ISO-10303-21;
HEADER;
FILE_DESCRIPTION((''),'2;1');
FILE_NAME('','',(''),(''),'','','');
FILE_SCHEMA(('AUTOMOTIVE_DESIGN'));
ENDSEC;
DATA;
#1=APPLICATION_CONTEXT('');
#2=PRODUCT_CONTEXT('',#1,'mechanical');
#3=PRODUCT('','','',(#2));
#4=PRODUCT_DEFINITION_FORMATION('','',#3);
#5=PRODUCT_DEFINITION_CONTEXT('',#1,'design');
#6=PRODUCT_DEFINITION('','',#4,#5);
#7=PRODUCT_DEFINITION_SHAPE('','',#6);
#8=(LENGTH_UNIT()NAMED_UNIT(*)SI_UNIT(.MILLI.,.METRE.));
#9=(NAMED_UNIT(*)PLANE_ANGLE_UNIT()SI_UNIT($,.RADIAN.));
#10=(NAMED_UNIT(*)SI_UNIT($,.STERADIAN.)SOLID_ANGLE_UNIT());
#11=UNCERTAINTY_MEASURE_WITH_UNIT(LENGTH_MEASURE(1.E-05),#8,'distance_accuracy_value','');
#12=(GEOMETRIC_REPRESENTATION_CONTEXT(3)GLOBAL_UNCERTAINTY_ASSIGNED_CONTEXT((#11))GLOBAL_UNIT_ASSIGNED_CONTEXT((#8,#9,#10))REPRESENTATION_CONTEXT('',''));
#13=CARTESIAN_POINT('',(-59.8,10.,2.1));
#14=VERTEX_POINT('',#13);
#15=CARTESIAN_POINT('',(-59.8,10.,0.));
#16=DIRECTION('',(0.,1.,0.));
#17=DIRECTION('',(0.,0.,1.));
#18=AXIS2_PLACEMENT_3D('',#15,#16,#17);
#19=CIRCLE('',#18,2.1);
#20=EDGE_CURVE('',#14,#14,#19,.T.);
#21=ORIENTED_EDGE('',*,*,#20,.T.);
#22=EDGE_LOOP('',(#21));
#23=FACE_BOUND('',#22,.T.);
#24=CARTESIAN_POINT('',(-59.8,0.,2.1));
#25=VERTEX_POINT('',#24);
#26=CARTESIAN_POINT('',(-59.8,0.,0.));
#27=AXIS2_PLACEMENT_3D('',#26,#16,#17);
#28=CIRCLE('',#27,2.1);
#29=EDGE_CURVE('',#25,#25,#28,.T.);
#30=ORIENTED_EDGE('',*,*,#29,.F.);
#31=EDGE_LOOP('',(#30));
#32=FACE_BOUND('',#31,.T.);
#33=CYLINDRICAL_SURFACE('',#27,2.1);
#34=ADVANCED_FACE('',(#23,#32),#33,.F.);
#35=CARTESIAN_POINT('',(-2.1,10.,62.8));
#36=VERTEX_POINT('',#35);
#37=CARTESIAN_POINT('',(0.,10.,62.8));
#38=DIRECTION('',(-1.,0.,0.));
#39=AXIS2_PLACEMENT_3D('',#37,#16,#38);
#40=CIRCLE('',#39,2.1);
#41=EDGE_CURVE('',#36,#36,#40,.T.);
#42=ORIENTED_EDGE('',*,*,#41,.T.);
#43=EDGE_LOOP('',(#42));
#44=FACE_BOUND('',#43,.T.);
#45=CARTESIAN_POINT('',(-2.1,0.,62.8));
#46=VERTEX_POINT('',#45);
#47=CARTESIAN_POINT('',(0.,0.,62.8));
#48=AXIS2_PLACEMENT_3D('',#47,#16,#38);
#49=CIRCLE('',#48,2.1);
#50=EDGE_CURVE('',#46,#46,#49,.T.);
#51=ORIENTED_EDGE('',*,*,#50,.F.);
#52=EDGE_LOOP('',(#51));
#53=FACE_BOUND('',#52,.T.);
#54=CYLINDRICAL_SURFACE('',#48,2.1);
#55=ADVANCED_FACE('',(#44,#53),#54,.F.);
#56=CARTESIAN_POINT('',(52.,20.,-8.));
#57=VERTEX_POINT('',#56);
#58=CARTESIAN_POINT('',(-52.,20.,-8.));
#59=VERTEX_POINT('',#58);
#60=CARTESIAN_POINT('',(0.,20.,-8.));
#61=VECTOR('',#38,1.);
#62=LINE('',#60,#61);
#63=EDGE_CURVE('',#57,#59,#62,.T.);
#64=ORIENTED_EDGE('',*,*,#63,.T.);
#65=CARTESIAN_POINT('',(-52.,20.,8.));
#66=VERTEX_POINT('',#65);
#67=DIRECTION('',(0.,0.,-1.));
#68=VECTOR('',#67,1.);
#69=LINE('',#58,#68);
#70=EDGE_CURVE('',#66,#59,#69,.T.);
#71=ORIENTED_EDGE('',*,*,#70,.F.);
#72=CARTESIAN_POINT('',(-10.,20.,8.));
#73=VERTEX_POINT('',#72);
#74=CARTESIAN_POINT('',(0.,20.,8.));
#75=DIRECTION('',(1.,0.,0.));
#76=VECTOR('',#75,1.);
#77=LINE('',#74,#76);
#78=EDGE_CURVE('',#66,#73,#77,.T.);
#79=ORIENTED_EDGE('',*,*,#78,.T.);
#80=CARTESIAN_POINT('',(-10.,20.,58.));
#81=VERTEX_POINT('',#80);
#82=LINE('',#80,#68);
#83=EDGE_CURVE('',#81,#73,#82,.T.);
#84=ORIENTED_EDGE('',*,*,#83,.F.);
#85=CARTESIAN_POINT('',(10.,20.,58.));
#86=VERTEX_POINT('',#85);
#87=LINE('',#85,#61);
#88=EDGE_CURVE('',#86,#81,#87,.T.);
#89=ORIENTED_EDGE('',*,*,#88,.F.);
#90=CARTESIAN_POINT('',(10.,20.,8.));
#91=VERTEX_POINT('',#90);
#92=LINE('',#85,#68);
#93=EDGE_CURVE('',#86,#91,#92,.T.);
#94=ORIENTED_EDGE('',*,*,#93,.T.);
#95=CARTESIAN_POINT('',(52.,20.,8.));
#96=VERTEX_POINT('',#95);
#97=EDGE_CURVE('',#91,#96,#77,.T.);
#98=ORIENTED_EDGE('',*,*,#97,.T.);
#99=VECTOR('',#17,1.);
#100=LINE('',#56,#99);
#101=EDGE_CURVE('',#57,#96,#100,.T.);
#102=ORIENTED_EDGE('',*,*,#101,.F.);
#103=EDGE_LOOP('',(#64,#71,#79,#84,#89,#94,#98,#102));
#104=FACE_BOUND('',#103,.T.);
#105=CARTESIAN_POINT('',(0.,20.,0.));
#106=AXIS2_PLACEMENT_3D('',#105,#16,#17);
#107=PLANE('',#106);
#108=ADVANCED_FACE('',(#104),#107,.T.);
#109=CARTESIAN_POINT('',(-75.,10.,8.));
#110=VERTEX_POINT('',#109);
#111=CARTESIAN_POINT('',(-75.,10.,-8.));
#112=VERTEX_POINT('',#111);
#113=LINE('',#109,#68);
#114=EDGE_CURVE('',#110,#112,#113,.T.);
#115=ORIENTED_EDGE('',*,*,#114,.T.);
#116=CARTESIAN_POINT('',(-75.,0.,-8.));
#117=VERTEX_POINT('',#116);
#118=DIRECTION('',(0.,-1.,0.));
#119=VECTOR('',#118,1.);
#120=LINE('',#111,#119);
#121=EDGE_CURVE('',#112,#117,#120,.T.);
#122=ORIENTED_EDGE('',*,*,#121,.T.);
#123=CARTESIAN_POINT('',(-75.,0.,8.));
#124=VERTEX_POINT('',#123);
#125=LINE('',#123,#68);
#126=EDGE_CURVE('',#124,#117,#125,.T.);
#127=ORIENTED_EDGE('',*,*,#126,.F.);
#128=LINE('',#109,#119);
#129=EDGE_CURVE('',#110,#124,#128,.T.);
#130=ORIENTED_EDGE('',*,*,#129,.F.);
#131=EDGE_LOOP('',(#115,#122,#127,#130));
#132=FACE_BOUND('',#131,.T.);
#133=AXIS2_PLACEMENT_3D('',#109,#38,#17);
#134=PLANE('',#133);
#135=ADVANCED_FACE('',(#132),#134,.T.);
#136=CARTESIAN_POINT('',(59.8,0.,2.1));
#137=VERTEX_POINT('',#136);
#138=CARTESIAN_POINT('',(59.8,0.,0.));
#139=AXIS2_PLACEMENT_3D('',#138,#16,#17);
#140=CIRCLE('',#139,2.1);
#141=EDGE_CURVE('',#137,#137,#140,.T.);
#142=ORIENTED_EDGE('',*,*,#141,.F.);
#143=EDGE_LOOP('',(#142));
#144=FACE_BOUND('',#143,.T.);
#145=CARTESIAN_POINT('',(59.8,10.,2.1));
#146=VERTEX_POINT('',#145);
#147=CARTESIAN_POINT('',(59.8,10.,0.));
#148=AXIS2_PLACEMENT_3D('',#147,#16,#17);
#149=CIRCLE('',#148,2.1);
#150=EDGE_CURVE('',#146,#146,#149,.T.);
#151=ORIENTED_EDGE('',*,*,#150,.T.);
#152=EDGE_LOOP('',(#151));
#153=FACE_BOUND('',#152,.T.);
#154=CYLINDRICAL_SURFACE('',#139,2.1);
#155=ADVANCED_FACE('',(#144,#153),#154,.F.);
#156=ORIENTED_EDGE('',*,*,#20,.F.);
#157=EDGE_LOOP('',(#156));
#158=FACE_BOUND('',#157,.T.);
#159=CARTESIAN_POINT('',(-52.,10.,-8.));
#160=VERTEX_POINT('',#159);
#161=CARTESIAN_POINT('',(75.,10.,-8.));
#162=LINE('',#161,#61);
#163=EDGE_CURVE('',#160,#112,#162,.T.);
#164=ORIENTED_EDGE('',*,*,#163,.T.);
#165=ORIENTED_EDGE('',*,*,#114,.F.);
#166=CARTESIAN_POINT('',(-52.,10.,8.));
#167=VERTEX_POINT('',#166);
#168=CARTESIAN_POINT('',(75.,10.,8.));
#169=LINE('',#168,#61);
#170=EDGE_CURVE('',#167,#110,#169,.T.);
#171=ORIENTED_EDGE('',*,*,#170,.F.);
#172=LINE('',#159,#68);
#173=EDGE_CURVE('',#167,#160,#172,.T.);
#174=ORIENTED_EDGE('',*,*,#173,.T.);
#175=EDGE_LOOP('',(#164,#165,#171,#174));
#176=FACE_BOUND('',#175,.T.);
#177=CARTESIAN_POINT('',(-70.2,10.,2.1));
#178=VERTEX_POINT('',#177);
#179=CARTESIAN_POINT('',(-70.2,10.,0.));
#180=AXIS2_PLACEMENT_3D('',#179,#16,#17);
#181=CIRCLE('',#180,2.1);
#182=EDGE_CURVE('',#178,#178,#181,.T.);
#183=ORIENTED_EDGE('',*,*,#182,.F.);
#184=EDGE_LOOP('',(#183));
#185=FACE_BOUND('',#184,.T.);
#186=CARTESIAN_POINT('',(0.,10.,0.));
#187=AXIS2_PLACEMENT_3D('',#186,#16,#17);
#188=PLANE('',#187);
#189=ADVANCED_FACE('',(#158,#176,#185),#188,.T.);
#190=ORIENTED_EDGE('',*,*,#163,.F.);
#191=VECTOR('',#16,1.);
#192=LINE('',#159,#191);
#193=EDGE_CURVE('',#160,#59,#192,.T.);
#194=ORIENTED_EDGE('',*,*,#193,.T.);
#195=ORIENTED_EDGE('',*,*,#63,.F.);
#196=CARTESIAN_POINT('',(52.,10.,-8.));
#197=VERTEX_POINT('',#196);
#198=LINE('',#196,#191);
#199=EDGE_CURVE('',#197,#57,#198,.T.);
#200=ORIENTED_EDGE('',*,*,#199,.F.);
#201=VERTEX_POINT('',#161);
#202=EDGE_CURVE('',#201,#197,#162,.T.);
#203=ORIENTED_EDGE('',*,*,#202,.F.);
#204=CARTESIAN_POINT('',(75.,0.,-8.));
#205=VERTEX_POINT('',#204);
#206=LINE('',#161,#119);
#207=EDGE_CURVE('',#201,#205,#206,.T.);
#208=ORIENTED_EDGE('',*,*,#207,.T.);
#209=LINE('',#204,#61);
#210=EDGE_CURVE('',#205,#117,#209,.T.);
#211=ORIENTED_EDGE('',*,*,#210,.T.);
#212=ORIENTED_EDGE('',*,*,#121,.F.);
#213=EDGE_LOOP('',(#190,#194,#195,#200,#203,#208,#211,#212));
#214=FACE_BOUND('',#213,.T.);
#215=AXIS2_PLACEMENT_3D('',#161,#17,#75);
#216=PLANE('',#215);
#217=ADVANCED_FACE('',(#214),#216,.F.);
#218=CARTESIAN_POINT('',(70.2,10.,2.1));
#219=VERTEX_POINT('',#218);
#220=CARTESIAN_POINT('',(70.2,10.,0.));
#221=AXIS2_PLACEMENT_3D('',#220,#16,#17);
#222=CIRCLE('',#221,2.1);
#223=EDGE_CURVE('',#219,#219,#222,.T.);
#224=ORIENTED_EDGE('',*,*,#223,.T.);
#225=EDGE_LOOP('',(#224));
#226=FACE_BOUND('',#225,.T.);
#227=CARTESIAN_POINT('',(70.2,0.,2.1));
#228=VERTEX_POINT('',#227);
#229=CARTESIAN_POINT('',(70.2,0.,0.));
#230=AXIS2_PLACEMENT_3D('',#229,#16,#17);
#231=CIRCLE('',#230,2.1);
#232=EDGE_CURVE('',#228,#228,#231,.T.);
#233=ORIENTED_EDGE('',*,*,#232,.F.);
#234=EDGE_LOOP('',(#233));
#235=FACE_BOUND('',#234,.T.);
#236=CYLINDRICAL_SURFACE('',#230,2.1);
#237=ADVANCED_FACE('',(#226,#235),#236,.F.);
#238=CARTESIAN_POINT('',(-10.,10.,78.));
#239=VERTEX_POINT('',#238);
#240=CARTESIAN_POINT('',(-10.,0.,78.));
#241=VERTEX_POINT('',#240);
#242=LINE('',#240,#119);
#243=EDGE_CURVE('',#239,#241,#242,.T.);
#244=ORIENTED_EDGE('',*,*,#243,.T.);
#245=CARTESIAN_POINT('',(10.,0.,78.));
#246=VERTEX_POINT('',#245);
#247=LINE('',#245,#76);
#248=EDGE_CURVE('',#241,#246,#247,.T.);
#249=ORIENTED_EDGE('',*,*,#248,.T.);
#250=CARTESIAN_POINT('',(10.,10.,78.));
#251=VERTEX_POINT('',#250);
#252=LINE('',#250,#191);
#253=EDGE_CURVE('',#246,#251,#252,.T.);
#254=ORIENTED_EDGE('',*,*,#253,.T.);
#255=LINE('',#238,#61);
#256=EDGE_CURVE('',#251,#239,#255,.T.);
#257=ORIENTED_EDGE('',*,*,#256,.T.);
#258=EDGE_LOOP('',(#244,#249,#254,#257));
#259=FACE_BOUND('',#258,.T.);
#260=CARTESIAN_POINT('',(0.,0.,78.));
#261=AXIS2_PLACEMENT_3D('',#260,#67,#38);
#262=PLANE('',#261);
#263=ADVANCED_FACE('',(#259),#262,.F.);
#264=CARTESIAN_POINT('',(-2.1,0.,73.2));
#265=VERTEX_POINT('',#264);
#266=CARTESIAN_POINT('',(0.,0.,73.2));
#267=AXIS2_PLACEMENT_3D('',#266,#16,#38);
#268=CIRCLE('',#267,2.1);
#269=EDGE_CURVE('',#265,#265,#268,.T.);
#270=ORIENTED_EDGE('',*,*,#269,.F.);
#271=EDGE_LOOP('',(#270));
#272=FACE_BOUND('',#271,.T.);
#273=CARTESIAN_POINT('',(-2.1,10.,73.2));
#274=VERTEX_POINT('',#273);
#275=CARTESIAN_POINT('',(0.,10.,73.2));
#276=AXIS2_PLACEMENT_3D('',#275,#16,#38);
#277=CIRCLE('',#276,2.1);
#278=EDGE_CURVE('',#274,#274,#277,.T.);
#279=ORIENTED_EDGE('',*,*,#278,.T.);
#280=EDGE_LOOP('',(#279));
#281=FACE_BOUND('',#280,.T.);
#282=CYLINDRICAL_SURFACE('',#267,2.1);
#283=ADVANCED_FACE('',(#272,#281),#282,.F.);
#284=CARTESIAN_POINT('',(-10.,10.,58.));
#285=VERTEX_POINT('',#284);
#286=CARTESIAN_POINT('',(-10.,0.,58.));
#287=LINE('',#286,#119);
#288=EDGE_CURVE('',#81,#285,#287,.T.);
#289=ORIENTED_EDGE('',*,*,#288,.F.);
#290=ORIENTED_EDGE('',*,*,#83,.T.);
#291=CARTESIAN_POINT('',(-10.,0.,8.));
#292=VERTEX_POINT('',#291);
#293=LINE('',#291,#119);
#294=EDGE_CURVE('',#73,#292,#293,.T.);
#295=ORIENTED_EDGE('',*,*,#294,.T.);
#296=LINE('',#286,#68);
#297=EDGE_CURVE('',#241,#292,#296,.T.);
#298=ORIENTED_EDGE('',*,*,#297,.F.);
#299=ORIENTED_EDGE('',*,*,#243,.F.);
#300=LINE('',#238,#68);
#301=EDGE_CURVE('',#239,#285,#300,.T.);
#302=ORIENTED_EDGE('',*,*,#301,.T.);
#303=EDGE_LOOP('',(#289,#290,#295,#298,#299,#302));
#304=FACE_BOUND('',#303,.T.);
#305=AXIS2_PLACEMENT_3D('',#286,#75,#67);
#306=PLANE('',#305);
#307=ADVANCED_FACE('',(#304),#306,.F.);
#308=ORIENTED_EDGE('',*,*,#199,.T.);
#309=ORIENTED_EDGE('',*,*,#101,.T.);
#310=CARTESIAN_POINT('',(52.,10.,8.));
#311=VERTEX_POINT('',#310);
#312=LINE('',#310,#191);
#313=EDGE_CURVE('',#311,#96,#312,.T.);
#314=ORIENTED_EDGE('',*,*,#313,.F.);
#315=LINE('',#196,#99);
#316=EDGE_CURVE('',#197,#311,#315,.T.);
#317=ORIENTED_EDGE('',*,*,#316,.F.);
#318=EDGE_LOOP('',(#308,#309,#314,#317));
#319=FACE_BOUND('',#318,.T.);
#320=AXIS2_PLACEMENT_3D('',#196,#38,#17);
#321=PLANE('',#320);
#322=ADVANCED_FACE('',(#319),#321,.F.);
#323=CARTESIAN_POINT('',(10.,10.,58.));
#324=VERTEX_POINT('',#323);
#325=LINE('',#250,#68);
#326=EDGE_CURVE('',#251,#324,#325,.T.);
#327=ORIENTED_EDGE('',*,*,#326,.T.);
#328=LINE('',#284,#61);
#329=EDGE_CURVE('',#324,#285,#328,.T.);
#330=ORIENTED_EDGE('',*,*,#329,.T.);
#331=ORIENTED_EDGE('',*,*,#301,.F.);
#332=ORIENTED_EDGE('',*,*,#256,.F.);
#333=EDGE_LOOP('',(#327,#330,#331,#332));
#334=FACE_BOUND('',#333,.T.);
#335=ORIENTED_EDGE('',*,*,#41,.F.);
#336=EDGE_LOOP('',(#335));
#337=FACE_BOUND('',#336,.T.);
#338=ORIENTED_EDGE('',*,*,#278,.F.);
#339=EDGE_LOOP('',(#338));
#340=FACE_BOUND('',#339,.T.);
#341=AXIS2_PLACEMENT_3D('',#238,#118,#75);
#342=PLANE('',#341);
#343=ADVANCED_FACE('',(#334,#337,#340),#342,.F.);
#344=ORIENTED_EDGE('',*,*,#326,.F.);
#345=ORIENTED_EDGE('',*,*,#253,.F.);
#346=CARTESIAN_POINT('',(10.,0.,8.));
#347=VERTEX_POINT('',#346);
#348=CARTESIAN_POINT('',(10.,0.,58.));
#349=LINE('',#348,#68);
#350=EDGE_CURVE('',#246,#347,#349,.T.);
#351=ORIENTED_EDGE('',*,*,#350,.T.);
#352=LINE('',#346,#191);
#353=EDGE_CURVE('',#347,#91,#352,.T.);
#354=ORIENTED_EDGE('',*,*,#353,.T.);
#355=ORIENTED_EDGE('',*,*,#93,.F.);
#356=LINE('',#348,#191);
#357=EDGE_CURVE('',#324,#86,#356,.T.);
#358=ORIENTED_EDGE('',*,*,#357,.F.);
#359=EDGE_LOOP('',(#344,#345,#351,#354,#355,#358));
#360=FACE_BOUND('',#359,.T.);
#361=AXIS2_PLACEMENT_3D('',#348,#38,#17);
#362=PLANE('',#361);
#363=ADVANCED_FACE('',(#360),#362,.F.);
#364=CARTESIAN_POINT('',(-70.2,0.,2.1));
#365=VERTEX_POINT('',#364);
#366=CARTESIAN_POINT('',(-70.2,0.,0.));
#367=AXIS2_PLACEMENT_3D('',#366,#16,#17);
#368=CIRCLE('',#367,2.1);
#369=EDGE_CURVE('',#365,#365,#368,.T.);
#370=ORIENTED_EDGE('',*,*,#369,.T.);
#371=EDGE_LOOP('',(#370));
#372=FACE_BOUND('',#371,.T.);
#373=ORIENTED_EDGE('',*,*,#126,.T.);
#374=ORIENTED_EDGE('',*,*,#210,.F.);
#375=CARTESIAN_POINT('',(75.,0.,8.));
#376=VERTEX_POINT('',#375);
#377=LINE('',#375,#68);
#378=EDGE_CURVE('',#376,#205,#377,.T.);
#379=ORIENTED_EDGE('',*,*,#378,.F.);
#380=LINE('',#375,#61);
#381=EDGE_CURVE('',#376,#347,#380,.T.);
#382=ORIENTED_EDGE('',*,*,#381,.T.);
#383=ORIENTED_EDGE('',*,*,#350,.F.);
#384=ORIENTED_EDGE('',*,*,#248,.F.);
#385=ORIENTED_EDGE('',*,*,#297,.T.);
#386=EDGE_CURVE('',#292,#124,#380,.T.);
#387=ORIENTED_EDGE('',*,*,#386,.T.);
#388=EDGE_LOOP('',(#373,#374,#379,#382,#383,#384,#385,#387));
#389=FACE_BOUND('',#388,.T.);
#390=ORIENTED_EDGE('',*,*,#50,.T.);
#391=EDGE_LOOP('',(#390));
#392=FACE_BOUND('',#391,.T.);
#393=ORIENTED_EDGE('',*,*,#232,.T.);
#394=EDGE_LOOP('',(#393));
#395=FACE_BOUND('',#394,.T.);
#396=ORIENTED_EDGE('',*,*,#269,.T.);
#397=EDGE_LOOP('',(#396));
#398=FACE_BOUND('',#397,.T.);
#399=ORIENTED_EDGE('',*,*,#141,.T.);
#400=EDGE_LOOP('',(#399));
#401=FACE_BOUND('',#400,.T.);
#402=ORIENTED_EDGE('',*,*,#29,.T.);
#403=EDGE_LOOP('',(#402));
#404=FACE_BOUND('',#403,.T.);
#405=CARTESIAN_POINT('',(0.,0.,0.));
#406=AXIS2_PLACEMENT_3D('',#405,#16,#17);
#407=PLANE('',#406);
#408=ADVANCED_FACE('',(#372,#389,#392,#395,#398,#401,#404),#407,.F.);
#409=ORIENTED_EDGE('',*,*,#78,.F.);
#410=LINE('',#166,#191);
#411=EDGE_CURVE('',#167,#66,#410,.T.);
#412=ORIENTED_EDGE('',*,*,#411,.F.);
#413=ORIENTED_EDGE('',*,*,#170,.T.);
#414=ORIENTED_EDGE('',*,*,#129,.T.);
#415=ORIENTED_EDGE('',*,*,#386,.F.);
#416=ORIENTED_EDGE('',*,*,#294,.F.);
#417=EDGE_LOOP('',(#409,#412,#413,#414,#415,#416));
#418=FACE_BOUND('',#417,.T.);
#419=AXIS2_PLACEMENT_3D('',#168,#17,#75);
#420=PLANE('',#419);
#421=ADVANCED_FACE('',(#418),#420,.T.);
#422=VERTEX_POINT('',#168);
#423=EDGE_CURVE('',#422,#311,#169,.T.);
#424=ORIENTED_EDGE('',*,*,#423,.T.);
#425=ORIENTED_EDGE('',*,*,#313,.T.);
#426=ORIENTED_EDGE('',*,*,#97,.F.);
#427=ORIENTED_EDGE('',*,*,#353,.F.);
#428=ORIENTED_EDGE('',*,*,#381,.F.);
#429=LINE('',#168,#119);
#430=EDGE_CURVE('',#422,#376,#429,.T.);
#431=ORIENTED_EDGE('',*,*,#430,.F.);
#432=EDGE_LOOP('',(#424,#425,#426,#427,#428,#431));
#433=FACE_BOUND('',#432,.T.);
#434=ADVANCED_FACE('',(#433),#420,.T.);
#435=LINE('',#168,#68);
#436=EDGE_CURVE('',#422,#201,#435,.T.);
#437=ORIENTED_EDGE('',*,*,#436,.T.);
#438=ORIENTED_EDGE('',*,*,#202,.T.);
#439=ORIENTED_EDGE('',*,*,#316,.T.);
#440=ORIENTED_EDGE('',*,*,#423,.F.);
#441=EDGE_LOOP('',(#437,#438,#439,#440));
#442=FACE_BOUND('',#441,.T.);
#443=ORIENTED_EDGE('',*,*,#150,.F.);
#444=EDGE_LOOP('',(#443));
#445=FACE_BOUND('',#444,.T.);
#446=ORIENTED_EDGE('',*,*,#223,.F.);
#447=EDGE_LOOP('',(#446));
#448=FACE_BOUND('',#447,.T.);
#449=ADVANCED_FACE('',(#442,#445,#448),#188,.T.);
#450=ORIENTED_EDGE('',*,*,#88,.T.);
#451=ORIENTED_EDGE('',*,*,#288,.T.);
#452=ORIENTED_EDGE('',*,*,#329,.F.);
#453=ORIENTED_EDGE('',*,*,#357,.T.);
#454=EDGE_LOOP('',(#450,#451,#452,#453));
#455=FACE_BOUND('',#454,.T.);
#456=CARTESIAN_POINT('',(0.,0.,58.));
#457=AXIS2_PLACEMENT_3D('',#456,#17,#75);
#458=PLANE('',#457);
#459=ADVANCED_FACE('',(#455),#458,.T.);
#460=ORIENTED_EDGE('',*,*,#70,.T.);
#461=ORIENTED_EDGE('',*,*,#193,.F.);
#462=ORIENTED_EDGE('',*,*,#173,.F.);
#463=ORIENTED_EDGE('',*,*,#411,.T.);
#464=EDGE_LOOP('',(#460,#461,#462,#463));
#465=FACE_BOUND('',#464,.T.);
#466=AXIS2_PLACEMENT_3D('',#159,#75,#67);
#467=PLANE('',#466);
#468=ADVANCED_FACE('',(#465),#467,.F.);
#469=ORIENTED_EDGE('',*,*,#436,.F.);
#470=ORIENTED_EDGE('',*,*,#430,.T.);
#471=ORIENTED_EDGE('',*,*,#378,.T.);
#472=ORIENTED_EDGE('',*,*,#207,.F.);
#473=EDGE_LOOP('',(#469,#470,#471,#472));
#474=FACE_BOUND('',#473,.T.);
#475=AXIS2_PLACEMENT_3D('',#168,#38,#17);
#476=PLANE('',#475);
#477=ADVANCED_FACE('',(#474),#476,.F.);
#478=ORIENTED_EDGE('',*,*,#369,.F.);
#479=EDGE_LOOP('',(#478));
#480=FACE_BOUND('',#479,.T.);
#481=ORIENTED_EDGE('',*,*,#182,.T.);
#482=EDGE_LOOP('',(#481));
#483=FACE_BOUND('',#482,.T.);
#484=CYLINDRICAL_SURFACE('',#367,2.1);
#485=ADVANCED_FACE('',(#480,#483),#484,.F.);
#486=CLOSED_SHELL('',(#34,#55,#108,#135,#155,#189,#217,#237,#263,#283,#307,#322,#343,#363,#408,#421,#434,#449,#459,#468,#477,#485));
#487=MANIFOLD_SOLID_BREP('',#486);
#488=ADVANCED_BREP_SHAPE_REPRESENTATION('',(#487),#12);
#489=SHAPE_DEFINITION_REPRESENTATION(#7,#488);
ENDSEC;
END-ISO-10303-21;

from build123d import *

# Parameters (mm, degrees)
SKETCH_1_W          = 150
SKETCH_1_H          = 16
EXTRUDE_1_DEPTH     = 10
SKETCH_2_W          = 110
SKETCH_2_H          = 16
EXTRUDE_2_DEPTH     = 10
SKETCH_4_R          = 2.1
CUT_EXTRUDE_1_DEPTH = 10
SKETCH_5_R          = 2.1
CUT_EXTRUDE_2_DEPTH = 10
SKETCH_6_W          = 20
SKETCH_6_H          = 20
EXTRUDE_3_DEPTH     = 50
SKETCH_7_W          = 20
SKETCH_7_H          = 10
EXTRUDE_4_DEPTH     = 20
SKETCH_8_R          = 2.1
CUT_EXTRUDE_3_DEPTH = 10
SKETCH_9_W          = 3
SKETCH_9_H          = 16
CUT_EXTRUDE_4_DEPTH = 10


with BuildPart() as part:
    # 草图1 → 凸台-拉伸1 (new body)
    with BuildSketch(Plane(origin=(0, 0, 0), x_dir=(1, 0, 0), z_dir=(0, 1, 0))):
        Rectangle(SKETCH_1_W, SKETCH_1_H)
    extrude(amount=EXTRUDE_1_DEPTH)

    # 草图2 → 凸台-拉伸2 (add)
    with BuildSketch(Plane(origin=(0, 10, 0), x_dir=(1, 0, 0), z_dir=(0, 1, 0))):
        Rectangle(SKETCH_2_W, SKETCH_2_H)
    extrude(amount=EXTRUDE_2_DEPTH)

    # 草图4 → 切除-拉伸1 (cut)
    with BuildSketch(Plane(origin=(0, 10, 0), x_dir=(1, 0, 0), z_dir=(0, 1, 0))):
        with Locations((-70.2, 0)):
            Circle(SKETCH_4_R)
        with Locations((-59.8, 0)):
            Circle(SKETCH_4_R)
    extrude(amount=-CUT_EXTRUDE_1_DEPTH, mode=Mode.SUBTRACT)

    # 草图5 → 切除-拉伸2 (cut)
    with BuildSketch(Plane(origin=(0, 10, 0), x_dir=(1, 0, 0), z_dir=(0, 1, 0))):
        with Locations((59.8, 0)):
            Circle(SKETCH_5_R)
        with Locations((70.2, 0)):
            Circle(SKETCH_5_R)
    extrude(amount=-CUT_EXTRUDE_2_DEPTH, mode=Mode.SUBTRACT)

    # 草图6 → 凸台-拉伸3 (add)
    with BuildSketch(Plane.XY.offset(8)):
        with Locations((0, 10)):
            Rectangle(SKETCH_6_W, SKETCH_6_H)
    extrude(amount=EXTRUDE_3_DEPTH)

    # 草图7 → 凸台-拉伸4 (add)
    with BuildSketch(Plane.XY.offset(58)):
        with Locations((0, 5)):
            Rectangle(SKETCH_7_W, SKETCH_7_H)
    extrude(amount=EXTRUDE_4_DEPTH)

    # 草图8 → 切除-拉伸3 (cut)
    with BuildSketch(Plane(origin=(0, 10, 0), x_dir=(1, 0, 0), z_dir=(0, 1, 0))):
        with Locations((0, -62.8)):
            Circle(SKETCH_8_R)
        with Locations((0, -73.2)):
            Circle(SKETCH_8_R)
    extrude(amount=-CUT_EXTRUDE_3_DEPTH, mode=Mode.SUBTRACT)

    # 草图9 → 切除-拉伸4 (cut)
    with BuildSketch(Plane(origin=(0, 20, 0), x_dir=(1, 0, 0), z_dir=(0, 1, 0))):
        with Locations((-53.5, 0)):
            Rectangle(SKETCH_9_W, SKETCH_9_H)
        with Locations((53.5, 0)):
            Rectangle(SKETCH_9_W, SKETCH_9_H)
    extrude(amount=-CUT_EXTRUDE_4_DEPTH, mode=Mode.SUBTRACT)


solid = part.part
